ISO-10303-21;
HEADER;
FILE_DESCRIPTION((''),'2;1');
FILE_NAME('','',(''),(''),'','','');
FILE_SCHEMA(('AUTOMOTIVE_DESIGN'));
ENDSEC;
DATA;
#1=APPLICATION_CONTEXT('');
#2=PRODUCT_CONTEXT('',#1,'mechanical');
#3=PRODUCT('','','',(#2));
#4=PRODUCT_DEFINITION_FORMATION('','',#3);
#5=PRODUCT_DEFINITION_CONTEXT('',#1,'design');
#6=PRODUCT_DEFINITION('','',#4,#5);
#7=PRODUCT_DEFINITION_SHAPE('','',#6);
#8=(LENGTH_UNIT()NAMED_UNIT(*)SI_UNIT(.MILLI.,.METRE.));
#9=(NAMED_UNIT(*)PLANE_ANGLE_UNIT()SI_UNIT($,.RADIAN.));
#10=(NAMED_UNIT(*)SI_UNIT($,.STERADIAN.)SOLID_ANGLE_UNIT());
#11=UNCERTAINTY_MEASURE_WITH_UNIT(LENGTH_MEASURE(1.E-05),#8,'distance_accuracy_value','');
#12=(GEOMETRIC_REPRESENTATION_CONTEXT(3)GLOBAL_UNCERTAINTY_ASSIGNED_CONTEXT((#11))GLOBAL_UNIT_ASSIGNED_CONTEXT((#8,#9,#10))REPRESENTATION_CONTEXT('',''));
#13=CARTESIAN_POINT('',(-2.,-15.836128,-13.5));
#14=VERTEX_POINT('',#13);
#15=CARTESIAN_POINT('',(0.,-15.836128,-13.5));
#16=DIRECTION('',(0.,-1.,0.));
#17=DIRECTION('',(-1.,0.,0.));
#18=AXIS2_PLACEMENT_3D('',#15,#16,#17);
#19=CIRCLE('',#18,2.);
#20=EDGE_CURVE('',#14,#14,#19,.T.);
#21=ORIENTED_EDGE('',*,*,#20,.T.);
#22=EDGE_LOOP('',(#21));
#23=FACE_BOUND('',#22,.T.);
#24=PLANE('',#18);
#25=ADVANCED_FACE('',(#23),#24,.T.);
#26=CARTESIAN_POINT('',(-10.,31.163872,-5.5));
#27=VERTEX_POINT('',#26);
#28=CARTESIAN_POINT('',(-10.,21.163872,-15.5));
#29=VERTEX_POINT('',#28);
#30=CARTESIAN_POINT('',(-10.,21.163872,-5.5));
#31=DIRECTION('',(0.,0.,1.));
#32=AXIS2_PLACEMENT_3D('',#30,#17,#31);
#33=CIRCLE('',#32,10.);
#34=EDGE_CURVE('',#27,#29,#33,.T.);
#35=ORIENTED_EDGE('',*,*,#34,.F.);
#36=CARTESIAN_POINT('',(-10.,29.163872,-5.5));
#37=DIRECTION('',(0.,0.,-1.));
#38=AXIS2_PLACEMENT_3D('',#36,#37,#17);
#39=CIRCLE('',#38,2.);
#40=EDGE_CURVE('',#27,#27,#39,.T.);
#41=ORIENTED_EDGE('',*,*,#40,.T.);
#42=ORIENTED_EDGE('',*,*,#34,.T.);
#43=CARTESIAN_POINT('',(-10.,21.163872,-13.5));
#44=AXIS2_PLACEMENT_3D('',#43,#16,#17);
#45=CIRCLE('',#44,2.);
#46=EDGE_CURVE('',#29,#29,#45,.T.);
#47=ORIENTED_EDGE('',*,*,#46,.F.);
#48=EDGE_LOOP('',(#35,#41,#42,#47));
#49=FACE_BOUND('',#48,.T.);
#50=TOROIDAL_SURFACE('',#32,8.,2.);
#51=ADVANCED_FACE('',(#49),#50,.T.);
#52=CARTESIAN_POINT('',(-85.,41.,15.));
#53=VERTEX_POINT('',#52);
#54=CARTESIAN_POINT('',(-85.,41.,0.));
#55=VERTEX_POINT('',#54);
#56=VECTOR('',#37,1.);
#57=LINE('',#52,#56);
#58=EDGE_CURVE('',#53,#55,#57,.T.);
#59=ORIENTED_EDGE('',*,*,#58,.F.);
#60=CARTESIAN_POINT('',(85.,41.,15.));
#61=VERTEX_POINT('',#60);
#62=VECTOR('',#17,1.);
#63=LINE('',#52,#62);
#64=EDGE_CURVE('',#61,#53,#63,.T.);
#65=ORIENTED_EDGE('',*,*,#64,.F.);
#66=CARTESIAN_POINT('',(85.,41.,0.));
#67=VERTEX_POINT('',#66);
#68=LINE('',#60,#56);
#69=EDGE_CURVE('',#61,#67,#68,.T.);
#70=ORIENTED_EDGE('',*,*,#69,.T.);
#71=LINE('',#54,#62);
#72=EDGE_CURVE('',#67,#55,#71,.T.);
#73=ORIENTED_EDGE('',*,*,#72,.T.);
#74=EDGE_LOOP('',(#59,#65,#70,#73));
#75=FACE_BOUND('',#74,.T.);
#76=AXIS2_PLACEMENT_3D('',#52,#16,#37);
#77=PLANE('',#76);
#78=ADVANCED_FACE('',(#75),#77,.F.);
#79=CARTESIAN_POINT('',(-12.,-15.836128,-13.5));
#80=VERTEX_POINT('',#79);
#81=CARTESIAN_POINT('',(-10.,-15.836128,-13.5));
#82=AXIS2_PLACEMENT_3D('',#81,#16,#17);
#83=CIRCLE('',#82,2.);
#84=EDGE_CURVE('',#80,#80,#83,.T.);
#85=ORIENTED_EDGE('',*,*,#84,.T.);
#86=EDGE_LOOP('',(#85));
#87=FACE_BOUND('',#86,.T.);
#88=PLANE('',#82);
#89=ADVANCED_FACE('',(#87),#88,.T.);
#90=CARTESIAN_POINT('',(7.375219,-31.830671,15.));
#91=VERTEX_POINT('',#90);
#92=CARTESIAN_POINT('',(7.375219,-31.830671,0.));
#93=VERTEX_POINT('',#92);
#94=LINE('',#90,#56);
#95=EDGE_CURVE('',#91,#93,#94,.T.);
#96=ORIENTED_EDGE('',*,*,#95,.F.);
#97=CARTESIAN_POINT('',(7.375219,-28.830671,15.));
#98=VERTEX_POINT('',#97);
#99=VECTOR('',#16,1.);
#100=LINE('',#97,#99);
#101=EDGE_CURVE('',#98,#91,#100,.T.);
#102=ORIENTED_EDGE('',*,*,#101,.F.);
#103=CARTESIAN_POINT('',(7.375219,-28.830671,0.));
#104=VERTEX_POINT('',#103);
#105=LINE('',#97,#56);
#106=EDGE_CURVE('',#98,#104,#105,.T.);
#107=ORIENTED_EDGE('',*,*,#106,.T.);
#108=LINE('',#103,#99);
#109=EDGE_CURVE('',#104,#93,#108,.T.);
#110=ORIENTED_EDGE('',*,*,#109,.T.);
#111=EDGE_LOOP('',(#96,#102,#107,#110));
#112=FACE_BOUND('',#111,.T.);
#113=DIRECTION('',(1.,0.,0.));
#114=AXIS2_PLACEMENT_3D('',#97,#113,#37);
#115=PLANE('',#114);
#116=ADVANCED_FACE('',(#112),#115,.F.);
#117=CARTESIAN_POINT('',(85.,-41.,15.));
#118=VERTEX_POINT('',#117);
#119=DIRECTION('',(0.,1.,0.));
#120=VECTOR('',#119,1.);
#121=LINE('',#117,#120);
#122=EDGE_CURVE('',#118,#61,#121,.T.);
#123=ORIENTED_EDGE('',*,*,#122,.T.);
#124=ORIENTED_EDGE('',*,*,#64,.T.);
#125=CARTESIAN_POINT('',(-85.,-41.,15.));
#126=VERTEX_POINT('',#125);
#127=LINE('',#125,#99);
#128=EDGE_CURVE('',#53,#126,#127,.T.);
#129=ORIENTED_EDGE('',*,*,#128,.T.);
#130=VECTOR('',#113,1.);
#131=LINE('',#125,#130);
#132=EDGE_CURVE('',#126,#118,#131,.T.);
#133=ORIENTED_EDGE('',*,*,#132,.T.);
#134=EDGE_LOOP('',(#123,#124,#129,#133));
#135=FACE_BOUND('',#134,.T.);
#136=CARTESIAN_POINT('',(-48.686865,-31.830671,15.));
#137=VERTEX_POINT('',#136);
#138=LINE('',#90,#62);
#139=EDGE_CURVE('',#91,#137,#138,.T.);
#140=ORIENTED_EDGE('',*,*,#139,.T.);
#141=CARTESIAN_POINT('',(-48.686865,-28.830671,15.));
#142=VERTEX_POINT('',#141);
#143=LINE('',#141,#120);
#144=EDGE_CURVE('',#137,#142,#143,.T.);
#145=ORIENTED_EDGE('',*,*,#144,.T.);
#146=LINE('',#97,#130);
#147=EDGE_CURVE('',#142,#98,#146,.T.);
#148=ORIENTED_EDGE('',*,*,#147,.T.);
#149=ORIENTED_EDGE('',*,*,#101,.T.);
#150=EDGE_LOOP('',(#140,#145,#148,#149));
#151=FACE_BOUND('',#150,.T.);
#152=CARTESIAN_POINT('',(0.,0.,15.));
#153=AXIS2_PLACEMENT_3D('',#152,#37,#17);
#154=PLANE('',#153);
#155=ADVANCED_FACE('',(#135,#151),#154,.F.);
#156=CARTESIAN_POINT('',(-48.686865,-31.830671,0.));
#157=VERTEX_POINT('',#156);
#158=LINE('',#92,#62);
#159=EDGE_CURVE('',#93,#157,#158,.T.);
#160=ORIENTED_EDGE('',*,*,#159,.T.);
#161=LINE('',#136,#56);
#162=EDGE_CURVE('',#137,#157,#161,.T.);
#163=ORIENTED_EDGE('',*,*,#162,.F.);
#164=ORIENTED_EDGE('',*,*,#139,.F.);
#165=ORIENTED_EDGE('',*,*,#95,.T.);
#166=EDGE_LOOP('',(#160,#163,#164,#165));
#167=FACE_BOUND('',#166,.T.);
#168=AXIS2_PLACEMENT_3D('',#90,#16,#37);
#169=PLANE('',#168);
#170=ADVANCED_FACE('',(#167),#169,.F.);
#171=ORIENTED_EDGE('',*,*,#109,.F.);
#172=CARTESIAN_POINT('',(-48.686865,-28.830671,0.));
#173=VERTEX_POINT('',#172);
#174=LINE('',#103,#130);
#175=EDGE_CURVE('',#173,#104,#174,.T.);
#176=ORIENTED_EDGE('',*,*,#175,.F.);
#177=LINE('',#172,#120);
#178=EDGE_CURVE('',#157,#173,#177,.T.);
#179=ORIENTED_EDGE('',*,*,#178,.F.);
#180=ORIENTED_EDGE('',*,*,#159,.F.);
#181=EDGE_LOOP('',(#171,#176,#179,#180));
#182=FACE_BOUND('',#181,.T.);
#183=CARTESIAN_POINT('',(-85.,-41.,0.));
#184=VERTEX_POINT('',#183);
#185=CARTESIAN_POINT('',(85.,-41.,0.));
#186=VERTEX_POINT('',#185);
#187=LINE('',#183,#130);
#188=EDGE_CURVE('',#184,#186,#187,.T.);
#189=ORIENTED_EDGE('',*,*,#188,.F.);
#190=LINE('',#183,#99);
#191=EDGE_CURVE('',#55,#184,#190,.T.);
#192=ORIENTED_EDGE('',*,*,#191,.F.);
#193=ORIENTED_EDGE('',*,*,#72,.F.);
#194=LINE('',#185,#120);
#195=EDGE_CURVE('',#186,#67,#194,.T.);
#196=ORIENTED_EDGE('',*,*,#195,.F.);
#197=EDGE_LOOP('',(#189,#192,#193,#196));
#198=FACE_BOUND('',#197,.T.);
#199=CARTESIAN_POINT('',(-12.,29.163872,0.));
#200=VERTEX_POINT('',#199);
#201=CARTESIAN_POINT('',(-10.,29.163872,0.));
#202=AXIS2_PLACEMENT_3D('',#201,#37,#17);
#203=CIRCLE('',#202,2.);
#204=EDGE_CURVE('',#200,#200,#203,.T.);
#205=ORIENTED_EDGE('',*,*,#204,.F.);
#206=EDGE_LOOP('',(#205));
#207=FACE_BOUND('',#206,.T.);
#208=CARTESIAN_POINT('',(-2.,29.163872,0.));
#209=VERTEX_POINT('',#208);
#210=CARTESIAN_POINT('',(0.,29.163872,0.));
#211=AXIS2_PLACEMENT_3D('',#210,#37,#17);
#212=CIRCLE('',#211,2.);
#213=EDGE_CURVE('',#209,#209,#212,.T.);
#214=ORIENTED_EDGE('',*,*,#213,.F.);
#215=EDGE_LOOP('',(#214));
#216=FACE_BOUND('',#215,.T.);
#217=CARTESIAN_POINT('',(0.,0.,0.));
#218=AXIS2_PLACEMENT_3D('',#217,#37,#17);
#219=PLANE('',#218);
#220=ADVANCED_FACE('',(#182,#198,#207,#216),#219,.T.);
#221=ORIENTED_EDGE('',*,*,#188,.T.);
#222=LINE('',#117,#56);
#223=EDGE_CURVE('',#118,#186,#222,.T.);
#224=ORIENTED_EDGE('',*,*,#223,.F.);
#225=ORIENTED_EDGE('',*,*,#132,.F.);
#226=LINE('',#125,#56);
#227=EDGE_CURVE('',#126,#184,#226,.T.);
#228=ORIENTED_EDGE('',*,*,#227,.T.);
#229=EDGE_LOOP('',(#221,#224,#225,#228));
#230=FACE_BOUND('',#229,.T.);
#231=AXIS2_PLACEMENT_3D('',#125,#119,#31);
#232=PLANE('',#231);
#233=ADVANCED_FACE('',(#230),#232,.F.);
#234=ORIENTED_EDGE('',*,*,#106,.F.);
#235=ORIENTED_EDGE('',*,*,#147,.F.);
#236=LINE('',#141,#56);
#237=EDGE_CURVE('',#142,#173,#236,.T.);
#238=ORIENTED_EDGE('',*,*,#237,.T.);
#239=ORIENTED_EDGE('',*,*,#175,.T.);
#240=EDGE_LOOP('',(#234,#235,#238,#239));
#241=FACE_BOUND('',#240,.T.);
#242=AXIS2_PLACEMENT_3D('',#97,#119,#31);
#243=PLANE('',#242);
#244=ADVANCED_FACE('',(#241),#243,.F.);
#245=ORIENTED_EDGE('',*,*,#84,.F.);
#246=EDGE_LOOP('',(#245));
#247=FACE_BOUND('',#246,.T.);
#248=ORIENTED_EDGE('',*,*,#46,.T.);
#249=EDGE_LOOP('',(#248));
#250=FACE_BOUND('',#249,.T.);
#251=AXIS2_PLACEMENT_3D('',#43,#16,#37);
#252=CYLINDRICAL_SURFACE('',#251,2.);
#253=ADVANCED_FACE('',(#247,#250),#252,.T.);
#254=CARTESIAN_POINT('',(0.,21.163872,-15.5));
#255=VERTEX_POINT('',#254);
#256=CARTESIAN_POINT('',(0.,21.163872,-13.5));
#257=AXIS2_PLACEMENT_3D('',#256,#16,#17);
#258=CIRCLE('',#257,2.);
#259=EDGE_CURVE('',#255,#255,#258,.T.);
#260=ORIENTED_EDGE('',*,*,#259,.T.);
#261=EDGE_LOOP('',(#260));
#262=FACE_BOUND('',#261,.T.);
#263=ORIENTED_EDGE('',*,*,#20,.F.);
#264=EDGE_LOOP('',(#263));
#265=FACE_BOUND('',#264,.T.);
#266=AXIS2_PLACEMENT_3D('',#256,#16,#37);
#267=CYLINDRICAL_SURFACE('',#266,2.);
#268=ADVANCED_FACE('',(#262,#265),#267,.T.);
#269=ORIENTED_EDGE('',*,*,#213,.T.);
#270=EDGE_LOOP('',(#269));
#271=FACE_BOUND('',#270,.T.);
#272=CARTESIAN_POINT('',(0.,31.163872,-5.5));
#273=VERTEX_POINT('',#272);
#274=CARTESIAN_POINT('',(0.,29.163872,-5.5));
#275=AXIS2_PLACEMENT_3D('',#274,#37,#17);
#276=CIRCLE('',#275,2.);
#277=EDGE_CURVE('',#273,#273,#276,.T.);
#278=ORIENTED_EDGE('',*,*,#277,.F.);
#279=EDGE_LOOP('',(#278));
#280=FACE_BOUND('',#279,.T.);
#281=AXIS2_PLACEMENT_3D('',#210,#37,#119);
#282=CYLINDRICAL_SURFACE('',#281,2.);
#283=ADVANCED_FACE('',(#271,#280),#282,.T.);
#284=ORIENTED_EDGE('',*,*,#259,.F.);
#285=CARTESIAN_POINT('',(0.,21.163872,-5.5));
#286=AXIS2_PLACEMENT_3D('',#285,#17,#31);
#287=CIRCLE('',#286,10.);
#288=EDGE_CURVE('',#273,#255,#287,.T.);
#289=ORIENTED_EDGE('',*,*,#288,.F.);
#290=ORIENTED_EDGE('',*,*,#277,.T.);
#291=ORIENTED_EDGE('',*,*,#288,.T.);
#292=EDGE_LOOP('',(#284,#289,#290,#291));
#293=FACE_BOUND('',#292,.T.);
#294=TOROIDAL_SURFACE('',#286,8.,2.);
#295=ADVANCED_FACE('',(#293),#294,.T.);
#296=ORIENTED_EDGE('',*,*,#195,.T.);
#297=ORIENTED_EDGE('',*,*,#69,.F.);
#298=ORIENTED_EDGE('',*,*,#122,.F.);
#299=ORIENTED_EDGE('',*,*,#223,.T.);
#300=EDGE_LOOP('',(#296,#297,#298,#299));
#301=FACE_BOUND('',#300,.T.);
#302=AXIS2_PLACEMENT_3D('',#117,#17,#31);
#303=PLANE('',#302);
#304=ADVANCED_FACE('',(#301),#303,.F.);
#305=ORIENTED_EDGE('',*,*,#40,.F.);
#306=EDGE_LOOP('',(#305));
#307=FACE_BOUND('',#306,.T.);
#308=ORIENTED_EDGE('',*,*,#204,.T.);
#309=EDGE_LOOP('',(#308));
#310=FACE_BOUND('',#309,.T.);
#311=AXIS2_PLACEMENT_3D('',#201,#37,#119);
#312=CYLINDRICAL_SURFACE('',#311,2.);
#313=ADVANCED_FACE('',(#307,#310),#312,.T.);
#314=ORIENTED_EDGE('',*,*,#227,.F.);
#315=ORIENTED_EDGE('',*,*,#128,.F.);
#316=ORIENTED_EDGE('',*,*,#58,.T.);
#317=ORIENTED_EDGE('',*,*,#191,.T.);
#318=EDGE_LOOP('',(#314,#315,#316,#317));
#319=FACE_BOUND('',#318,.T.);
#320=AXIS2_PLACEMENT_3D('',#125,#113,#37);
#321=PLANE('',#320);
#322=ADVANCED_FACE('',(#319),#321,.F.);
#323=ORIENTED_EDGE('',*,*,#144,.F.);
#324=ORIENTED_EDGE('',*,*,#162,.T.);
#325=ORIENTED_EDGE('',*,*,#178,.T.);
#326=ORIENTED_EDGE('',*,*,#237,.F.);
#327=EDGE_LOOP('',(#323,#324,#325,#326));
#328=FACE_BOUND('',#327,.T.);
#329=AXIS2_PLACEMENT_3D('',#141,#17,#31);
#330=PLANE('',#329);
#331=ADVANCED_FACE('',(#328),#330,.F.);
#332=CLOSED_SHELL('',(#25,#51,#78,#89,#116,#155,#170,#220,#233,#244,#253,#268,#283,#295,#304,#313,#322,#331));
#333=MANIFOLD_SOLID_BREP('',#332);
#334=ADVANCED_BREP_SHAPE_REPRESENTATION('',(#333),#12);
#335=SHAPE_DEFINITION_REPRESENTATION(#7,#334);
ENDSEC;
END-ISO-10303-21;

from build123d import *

# Parameters (mm, degrees)
SKETCH2_W           = 170
SKETCH2_H           = 82
BOSS_EXTRUDE1_DEPTH = 15
SKETCH6_R           = 2
SKETCH7_W           = 56.062084811
SKETCH7_H           = 3
CUT_EXTRUDE2_DEPTH  = 96.636028792
LPATTERN1_COUNT     = 2
LPATTERN1_PITCH     = 10


with BuildPart() as part:
    # Sketch2 → Boss-Extrude1 (new body)
    with BuildSketch(Plane.XY):
        Rectangle(SKETCH2_W, SKETCH2_H)
    extrude(amount=BOSS_EXTRUDE1_DEPTH)

    # Sweep1: sweep along a path in Sketch5
    with BuildLine(Plane(origin=(0, 0, 0), x_dir=(0, 0, -1), z_dir=(1, 0, 0))) as sweep1_path:
        Line((0, 29.163871958), (5.5, 29.163871958))
        ThreePointArc((5.5, 29.163871958), (11.156854249, 26.820726208), (13.5, 21.163871958))
        Line((13.5, 21.163871958), (13.5, -15.836128042))
    # Sketch6 → Sweep1 (sweep)
    with BuildSketch(Plane(origin=(0, 0, 0), x_dir=(-1, 0, 0), z_dir=(0, 0, -1))):
        with Locations((0, 29.163871958)):
            Circle(SKETCH6_R)
    sweep1 = sweep(path=sweep1_path.line)

    # Sketch7 → Cut-Extrude2 (cut, through all)
    with BuildSketch(Plane(origin=(0, 0, 0), x_dir=(-1, 0, 0), z_dir=(0, 0, -1))):
        with Locations((20.655822978, -30.33067124)):
            Rectangle(SKETCH7_W, SKETCH7_H)
    extrude(amount=-CUT_EXTRUDE2_DEPTH, mode=Mode.SUBTRACT)

    # LPattern1: Sweep1 ×2
    with Locations(*[(-i * LPATTERN1_PITCH, 0, 0) for i in range(1, LPATTERN1_COUNT)]):
        add(sweep1)


solid = part.part
